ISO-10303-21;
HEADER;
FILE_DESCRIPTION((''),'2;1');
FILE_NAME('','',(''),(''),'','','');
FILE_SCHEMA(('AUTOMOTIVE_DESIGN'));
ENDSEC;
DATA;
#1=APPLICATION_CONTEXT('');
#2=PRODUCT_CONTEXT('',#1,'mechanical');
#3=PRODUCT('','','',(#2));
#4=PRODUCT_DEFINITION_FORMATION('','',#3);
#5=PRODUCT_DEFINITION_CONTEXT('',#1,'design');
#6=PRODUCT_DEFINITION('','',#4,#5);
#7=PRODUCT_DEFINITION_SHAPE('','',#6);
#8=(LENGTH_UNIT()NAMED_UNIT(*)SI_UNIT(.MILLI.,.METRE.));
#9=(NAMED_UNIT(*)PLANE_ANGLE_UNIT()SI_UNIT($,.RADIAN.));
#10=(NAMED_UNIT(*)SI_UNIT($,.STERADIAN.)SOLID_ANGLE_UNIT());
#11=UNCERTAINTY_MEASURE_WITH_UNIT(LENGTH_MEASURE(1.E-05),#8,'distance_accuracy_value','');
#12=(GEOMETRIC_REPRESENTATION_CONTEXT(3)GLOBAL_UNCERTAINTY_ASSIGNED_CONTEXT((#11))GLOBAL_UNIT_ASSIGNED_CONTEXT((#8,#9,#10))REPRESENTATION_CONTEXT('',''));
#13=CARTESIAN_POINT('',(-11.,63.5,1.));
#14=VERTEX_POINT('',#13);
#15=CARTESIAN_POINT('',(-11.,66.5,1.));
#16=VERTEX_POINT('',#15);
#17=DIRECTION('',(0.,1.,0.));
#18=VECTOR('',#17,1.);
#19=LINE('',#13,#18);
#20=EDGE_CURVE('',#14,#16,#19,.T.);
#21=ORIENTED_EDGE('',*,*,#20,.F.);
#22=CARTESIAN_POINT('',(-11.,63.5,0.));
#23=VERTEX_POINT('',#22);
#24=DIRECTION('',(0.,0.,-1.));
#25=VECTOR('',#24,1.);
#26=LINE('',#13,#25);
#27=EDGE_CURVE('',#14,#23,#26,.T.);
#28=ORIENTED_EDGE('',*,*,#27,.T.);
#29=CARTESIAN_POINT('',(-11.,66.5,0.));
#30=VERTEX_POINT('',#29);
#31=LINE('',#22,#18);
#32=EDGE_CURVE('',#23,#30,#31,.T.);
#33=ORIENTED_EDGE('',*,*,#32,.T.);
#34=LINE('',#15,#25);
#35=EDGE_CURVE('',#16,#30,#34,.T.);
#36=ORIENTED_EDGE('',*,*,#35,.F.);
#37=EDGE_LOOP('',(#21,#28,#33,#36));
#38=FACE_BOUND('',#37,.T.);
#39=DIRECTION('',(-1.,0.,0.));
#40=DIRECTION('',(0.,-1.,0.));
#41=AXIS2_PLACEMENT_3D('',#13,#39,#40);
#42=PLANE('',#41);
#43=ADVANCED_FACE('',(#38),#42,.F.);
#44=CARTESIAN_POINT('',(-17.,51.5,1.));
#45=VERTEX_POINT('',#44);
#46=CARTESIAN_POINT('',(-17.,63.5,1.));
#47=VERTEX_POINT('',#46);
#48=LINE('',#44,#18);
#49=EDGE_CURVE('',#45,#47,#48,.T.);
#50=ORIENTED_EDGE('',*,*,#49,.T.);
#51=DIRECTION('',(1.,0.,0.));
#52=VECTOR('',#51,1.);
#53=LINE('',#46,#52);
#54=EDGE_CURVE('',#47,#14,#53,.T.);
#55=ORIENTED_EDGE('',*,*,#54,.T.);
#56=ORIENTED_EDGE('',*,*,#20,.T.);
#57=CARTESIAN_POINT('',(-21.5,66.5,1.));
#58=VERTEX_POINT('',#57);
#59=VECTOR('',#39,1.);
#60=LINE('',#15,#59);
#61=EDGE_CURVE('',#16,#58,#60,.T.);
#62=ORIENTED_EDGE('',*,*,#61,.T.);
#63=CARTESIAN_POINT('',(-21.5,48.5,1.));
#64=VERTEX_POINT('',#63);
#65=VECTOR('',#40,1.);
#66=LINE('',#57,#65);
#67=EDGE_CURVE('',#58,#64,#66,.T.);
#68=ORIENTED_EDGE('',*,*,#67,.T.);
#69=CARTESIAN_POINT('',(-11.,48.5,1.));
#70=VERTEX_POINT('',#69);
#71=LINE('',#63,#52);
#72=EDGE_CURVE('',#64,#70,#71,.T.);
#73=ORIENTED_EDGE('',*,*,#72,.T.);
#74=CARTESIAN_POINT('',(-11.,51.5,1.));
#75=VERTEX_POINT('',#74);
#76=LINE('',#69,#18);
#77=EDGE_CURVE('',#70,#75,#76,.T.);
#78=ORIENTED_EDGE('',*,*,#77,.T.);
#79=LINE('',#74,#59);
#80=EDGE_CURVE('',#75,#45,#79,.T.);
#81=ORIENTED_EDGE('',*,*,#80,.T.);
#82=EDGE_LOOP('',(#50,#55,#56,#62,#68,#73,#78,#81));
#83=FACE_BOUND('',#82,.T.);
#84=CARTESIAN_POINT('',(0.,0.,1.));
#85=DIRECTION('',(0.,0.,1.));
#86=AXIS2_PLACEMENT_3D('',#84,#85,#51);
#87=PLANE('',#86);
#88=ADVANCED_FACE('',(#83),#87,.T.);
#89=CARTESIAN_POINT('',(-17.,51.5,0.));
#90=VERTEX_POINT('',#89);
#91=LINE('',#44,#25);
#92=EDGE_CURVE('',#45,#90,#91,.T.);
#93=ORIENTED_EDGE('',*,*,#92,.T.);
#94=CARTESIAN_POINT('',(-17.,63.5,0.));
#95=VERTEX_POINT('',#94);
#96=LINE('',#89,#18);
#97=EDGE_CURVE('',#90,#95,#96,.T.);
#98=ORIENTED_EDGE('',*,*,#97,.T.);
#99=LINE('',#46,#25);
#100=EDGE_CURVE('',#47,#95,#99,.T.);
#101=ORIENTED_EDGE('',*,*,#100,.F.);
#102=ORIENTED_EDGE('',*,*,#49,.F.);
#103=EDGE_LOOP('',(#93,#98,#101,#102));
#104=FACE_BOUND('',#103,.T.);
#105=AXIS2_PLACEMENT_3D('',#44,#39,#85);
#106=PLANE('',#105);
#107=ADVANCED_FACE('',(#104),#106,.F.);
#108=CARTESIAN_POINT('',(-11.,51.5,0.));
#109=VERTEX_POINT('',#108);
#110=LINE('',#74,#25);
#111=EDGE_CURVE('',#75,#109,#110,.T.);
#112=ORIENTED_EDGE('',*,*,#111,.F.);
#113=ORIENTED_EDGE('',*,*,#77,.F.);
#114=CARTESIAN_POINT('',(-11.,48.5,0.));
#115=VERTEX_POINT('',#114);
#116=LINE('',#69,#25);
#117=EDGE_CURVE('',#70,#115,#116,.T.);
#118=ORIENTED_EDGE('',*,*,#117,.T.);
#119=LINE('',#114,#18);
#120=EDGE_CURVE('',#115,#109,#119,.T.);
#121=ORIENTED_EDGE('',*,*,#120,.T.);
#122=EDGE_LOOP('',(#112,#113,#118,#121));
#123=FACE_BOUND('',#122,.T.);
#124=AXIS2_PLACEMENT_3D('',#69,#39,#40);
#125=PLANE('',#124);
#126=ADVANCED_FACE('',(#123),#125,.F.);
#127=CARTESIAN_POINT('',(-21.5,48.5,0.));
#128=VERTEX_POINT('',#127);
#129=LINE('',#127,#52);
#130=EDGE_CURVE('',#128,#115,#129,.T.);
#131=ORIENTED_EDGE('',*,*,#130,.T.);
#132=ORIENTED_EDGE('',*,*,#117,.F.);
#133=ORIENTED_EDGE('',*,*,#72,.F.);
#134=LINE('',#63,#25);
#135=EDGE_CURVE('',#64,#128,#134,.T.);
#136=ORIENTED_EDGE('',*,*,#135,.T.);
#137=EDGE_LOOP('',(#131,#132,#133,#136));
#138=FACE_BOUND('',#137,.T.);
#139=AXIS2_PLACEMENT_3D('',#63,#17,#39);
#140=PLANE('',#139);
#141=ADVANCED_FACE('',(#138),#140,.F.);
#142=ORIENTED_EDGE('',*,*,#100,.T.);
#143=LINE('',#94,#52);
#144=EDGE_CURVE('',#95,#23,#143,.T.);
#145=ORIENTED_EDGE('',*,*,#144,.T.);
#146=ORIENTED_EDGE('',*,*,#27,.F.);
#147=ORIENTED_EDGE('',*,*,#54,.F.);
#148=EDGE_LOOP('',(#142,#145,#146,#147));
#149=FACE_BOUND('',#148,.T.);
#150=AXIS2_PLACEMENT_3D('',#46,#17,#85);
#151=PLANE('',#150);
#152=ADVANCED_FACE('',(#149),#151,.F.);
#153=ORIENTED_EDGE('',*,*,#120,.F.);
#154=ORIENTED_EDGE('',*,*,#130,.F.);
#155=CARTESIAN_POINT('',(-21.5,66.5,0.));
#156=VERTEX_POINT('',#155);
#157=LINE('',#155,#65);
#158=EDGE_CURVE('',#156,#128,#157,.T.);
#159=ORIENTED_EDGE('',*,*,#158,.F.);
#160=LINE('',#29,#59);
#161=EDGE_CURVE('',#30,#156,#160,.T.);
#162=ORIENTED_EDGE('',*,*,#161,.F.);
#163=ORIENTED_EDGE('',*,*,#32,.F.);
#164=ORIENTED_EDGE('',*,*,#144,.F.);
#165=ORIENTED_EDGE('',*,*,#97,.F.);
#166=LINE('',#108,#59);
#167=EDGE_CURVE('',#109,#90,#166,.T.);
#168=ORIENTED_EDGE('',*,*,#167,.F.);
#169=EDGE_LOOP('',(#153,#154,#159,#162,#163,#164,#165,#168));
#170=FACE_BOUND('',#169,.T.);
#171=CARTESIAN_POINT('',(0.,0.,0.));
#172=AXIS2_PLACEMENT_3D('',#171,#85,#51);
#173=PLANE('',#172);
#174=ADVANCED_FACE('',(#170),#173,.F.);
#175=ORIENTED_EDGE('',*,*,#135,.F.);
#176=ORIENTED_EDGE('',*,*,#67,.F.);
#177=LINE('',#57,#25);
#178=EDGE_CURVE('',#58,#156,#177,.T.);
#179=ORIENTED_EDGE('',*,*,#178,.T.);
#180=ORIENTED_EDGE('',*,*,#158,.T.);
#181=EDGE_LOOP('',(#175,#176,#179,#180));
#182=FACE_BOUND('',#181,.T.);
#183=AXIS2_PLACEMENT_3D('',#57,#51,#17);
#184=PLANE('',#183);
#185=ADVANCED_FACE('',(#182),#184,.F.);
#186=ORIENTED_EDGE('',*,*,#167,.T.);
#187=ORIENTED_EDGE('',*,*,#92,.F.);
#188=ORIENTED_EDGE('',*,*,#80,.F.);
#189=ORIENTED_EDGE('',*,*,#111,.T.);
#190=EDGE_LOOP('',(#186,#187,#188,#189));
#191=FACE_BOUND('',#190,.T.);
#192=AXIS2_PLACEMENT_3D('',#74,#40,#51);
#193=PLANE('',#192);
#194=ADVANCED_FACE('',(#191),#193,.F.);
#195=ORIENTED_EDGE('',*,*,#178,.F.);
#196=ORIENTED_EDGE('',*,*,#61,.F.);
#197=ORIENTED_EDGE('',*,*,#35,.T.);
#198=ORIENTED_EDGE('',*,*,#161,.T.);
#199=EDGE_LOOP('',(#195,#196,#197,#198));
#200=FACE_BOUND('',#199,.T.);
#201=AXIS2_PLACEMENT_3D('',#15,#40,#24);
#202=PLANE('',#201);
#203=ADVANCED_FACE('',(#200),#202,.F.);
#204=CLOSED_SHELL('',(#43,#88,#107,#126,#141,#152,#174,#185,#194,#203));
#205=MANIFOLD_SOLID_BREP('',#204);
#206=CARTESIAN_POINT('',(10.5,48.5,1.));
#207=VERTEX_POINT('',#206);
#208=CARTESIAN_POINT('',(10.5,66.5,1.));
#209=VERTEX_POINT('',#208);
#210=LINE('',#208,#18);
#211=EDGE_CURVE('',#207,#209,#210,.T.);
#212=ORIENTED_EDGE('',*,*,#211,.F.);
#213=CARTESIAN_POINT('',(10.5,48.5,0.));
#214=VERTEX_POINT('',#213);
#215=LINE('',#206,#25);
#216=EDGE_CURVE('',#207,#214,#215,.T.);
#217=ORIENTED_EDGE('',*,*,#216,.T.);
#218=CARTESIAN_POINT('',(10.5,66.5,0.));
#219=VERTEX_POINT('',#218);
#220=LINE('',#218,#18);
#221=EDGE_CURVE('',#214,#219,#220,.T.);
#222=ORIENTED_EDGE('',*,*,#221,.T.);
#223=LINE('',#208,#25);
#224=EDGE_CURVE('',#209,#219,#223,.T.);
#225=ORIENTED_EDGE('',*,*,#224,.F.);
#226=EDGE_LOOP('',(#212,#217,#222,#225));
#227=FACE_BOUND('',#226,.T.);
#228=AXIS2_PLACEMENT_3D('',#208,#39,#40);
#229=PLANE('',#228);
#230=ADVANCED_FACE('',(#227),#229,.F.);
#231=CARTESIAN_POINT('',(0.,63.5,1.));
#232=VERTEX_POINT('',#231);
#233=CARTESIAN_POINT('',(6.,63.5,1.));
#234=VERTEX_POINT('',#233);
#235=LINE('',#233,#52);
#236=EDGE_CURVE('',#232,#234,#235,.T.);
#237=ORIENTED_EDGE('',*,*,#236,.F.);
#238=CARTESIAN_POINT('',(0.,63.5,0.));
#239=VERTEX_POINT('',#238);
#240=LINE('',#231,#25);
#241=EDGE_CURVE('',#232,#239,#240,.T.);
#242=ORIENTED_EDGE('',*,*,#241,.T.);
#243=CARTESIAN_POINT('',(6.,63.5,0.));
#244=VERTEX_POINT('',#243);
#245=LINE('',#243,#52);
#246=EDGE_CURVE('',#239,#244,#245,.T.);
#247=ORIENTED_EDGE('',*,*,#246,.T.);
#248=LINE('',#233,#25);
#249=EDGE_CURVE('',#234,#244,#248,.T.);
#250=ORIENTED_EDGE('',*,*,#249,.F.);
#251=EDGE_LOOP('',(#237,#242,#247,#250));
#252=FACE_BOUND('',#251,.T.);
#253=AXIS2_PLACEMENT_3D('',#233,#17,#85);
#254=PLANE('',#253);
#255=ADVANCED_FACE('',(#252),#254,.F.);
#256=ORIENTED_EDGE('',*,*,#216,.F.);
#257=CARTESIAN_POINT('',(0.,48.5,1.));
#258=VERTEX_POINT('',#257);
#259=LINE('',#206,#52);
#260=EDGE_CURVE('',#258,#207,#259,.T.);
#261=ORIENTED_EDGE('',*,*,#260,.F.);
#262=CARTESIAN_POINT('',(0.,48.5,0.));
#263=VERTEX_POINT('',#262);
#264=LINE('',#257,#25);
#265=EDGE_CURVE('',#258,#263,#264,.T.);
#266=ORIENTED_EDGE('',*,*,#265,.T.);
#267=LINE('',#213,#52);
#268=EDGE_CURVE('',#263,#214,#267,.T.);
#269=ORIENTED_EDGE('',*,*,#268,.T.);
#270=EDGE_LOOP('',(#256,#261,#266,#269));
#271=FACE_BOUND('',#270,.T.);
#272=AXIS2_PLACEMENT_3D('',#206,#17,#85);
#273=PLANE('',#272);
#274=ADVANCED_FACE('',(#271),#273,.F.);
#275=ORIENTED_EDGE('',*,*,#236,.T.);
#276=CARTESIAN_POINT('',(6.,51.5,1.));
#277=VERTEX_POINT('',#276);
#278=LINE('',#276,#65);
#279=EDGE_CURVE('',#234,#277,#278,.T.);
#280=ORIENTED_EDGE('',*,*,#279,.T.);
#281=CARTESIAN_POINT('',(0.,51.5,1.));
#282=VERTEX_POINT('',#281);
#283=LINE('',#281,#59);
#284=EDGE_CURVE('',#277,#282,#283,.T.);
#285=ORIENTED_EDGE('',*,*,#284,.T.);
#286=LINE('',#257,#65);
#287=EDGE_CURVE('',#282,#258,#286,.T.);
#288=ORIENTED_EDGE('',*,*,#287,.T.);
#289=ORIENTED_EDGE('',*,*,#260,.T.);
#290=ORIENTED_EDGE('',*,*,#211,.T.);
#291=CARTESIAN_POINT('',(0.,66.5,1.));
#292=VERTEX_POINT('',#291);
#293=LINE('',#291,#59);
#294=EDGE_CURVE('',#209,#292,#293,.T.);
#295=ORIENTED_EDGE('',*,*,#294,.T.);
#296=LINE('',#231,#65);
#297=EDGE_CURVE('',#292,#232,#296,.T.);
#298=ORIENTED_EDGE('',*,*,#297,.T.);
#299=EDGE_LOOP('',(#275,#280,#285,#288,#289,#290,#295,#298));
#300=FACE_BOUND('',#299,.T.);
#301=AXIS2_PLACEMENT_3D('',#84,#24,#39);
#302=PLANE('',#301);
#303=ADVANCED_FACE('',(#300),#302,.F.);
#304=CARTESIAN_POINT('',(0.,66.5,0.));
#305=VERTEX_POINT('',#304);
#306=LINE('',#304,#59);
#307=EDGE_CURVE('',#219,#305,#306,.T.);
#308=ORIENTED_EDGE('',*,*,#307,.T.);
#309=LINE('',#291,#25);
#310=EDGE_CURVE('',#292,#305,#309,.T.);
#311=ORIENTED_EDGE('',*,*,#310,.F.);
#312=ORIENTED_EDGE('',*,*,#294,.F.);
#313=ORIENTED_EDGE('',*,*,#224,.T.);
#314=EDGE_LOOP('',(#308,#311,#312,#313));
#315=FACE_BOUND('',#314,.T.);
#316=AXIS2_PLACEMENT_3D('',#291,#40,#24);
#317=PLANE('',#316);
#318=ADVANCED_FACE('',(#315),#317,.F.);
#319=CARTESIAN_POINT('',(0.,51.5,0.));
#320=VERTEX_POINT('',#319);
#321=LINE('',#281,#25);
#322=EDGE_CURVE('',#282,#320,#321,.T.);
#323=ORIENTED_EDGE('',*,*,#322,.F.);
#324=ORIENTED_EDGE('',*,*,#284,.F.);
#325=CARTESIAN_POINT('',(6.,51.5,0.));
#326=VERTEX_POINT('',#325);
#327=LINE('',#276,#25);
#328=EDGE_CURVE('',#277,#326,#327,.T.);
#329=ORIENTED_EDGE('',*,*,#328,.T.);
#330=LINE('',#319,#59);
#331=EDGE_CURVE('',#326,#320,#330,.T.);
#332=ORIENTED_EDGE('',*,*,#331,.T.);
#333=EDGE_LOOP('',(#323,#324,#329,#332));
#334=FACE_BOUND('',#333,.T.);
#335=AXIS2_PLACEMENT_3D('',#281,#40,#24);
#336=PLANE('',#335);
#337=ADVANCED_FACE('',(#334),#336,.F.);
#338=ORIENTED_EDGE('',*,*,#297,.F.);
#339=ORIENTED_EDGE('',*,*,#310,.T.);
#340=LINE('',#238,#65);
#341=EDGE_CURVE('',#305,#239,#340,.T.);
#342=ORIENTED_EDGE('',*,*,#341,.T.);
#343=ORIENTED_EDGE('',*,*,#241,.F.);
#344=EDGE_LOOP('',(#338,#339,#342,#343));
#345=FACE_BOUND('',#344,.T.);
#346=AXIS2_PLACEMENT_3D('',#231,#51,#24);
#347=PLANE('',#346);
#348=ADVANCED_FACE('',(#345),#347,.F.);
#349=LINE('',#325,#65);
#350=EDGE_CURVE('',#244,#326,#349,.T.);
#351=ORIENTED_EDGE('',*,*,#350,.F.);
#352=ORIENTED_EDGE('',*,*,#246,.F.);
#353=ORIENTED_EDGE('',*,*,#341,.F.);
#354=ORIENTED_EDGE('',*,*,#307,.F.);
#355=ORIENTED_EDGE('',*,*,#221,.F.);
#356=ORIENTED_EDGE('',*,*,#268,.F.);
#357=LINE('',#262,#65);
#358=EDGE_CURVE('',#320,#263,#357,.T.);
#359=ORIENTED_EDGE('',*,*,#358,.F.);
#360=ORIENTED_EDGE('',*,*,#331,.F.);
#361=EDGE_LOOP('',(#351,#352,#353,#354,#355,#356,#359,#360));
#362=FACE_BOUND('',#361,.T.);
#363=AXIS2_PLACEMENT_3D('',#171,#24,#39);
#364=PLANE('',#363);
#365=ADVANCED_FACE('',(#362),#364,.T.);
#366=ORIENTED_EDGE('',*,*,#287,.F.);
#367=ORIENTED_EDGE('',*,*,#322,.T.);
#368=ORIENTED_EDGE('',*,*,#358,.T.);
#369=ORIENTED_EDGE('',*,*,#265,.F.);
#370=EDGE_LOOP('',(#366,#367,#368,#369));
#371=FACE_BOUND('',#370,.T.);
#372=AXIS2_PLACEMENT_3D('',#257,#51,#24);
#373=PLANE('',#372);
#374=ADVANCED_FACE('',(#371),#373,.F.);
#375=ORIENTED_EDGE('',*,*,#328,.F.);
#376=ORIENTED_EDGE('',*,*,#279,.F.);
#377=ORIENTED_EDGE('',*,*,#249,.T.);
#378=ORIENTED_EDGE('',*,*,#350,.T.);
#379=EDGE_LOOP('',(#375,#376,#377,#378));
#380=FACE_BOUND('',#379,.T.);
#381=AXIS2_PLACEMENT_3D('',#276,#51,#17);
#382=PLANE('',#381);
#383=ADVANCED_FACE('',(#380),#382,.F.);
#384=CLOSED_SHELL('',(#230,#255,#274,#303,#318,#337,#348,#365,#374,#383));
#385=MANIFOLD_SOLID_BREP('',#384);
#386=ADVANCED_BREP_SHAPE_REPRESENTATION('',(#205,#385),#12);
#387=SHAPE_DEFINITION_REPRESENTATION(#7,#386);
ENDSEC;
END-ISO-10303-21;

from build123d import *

# Parameters (mm, degrees)
BOSS_EXTRUDE1_DEPTH   = 1
BOSS_EXTRUDE1_2_DEPTH = 1


with BuildPart() as part:
    # Sketch1 → Boss-Extrude1 (new body)
    with BuildSketch(Plane.XY):
        Polygon((0, 66.5), (10.5, 66.5), (10.5, 48.5), (0, 48.5), (0, 51.5), (6, 51.5), (6, 63.5), (0, 63.5), align=None)
    extrude(amount=BOSS_EXTRUDE1_DEPTH)


with BuildPart() as body_2:
    # Sketch1 → Boss-Extrude1 2 (new body)
    with BuildSketch(Plane.XY):
        Polygon((-11, 66.5), (-21.5, 66.5), (-21.5, 48.5), (-11, 48.5), (-11, 51.5), (-17, 51.5), (-17, 63.5), (-11, 63.5), align=None)
    extrude(amount=BOSS_EXTRUDE1_2_DEPTH)


solid = Compound([part.part, body_2.part])
